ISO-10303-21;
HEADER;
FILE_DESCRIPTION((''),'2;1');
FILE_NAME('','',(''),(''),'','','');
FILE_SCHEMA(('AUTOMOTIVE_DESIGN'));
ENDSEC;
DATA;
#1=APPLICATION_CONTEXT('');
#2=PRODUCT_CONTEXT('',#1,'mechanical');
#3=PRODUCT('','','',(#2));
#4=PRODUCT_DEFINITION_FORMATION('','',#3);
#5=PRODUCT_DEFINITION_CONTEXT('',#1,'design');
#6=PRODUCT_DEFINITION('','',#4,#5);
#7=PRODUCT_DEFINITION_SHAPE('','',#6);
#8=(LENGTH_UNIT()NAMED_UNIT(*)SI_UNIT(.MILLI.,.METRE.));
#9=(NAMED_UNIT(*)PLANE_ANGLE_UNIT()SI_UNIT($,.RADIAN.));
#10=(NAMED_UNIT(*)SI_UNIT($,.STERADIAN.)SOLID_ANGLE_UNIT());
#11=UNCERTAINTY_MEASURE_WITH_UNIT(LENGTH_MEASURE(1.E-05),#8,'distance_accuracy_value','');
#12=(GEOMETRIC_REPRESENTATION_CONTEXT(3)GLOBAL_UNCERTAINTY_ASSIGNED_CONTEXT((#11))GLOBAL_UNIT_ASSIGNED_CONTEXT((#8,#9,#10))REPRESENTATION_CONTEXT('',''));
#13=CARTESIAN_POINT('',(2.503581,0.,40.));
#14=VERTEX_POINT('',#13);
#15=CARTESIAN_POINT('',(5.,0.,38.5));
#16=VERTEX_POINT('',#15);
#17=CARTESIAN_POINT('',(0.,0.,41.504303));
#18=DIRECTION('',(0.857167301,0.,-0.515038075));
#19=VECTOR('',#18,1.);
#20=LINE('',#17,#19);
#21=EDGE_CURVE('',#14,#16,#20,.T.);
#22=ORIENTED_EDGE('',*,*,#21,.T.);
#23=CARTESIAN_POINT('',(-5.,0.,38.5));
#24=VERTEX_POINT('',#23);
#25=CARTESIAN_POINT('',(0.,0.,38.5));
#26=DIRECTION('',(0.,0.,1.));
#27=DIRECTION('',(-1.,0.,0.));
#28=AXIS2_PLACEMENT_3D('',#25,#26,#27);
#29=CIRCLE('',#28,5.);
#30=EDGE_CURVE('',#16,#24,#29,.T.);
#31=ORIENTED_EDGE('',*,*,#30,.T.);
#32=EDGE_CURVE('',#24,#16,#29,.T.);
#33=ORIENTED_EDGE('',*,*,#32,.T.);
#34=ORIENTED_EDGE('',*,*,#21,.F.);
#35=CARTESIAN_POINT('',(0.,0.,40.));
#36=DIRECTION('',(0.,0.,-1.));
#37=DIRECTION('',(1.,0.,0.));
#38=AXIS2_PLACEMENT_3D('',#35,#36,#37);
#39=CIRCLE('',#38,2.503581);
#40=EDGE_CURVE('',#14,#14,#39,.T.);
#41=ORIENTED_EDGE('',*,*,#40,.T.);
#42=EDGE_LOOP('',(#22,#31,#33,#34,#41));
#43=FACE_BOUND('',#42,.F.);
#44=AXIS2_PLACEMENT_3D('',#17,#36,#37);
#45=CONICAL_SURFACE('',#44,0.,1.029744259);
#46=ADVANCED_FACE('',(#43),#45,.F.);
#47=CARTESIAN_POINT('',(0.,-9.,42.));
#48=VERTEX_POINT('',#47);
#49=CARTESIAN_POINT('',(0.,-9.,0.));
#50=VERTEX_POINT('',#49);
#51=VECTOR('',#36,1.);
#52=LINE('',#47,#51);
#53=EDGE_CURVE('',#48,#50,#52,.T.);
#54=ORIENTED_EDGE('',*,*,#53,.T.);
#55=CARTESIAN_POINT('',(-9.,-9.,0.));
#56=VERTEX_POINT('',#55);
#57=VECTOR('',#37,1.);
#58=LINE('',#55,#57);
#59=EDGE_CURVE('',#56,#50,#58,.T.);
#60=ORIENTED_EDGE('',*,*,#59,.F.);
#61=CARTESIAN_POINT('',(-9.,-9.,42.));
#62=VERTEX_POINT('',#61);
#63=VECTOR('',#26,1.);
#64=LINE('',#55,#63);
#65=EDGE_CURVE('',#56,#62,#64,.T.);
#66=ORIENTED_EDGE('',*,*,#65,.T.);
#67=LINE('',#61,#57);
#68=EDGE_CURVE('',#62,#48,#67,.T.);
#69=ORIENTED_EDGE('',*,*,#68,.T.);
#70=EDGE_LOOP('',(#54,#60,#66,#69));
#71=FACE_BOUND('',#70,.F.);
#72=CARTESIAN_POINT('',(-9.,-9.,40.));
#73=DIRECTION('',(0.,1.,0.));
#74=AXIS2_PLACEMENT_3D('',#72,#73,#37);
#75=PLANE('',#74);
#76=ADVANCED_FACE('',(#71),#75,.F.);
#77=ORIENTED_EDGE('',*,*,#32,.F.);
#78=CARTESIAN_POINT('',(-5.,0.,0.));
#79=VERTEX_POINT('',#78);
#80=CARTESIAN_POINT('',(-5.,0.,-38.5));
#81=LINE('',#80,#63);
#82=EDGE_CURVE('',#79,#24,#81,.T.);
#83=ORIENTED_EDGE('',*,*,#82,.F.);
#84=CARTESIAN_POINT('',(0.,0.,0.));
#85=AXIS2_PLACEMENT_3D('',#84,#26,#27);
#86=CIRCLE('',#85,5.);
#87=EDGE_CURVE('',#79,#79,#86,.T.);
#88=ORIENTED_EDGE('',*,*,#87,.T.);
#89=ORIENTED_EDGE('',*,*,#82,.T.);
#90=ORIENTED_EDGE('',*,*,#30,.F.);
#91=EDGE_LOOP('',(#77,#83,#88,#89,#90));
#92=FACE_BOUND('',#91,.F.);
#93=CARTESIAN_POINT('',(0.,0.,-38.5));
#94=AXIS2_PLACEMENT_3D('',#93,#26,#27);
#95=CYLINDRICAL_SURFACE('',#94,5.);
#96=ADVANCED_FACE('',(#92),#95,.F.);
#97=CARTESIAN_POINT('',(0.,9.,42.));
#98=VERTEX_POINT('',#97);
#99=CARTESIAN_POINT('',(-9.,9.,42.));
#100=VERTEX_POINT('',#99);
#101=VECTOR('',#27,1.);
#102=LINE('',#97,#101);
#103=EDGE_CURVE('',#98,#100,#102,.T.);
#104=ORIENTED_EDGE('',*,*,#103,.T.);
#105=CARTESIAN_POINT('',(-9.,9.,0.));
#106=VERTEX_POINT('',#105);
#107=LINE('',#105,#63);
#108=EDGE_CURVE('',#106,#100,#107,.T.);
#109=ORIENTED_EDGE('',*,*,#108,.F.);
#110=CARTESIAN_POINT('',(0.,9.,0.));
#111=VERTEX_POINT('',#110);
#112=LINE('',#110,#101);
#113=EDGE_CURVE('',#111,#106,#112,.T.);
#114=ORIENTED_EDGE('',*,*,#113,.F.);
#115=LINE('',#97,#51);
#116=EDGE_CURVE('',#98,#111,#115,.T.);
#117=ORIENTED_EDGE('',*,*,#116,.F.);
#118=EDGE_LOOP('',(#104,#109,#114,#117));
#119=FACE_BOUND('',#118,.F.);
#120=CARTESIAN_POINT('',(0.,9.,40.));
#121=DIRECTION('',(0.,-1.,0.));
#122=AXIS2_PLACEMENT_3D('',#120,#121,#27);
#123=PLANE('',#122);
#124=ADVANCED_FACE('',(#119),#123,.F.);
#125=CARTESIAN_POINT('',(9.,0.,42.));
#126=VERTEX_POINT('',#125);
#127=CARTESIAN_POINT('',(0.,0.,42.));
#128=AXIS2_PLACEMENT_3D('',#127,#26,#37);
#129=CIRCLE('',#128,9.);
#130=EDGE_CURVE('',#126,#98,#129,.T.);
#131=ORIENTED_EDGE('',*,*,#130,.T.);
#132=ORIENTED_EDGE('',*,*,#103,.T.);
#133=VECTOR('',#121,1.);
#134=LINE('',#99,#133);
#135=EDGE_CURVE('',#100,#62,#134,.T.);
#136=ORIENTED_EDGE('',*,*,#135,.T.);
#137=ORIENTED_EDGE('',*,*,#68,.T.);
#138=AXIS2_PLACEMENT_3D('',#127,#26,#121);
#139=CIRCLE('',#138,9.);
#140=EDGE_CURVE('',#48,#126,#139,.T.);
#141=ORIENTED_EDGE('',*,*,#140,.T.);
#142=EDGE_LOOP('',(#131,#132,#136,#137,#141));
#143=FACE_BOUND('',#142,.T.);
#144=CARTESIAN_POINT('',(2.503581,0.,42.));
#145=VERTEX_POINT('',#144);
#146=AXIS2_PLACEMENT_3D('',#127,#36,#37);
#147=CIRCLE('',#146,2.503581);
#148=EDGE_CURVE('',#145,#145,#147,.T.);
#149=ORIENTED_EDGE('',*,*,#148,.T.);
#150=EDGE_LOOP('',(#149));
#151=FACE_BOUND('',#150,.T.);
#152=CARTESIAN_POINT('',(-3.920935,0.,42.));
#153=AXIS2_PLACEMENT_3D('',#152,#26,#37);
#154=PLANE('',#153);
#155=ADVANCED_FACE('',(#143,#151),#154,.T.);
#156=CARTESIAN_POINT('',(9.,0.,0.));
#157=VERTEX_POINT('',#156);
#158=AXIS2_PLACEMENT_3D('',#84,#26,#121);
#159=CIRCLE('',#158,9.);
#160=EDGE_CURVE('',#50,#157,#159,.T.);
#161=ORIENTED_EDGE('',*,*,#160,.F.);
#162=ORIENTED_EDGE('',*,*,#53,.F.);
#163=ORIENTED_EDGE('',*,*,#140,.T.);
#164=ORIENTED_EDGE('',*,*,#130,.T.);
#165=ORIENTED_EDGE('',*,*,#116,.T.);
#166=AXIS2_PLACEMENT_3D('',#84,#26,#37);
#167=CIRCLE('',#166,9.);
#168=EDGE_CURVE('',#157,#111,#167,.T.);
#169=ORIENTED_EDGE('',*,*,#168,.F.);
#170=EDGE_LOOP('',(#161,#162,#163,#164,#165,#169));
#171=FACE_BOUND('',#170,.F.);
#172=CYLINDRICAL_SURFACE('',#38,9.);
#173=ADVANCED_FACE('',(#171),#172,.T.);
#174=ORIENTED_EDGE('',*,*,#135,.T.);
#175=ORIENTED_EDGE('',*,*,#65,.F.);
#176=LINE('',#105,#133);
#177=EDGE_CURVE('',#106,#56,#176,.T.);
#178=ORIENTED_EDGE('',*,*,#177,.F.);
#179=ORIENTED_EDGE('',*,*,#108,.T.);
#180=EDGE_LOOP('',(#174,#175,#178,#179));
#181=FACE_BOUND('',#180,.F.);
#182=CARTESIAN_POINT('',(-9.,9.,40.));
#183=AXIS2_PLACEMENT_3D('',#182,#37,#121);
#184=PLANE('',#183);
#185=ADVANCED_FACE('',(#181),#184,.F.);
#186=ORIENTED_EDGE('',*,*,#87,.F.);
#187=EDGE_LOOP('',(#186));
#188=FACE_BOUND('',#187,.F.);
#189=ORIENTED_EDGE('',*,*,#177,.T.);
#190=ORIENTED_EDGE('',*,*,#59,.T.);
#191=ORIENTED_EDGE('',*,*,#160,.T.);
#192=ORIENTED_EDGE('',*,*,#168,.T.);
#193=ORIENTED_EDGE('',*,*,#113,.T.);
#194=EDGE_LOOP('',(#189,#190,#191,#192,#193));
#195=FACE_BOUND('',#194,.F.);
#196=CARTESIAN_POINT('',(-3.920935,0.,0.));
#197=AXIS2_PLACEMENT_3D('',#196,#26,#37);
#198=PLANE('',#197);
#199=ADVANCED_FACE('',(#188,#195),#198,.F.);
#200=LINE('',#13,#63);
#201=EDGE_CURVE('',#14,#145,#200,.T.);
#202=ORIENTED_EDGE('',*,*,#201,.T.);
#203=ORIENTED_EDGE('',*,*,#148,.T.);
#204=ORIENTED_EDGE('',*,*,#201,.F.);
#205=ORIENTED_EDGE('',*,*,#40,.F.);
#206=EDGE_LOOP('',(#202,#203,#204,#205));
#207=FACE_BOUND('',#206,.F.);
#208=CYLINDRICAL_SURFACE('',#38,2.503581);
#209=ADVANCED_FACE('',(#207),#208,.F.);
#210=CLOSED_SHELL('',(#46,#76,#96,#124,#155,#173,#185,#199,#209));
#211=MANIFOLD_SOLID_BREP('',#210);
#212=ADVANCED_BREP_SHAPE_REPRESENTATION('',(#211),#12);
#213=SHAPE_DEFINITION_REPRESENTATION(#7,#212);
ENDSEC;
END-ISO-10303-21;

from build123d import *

# Parameters (mm, degrees)
F1_DEPTH = 40
F3_D     = 10
F3_DEPTH = 38.5
F3_TIP   = 3.0043030951
F4_DEPTH = 2


with BuildPart() as f1:
    # F0 (on Top) → F1 (new body)
    with BuildSketch(Plane.XY):
        with BuildLine():
            ThreePointArc((0, -5), (-5, 0), (0, 5))
            Line((0, 5), (0, 9))
            ThreePointArc((0, 9), (-6.3639610307, 6.3639610307), (-9, 0))
            ThreePointArc((-9, 0), (-6.3639610307, -6.3639610307), (0, -9))
            Line((0, -9), (0, -5))
        make_face()
        with BuildLine():
            ThreePointArc((-9, 0), (-6.3639610307, 6.3639610307), (0, 9))
            Line((0, 9), (-9, 9))
            Line((-9, 9), (-9, 0))
        make_face()
        with BuildLine():
            Line((-9, -9), (0, -9))
            ThreePointArc((0, -9), (-6.3639610307, -6.3639610307), (-9, 0))
            Line((-9, 0), (-9, -9))
        make_face()
        with BuildLine():
            ThreePointArc((0, 5), (3.5355339059, 3.5355339059), (5, 0))
            ThreePointArc((5, 0), (3.5355339059, -3.5355339059), (0, -5))
            Line((0, -5), (0, -9))
            ThreePointArc((0, -9), (6.3639610307, -6.3639610307), (9, 0))
            ThreePointArc((9, 0), (6.3639610307, 6.3639610307), (0, 9))
            Line((0, 9), (0, 5))
        make_face()
        with BuildLine():
            Line((0, -5), (0, 5))
            ThreePointArc((0, 5), (-5, 0), (0, -5))
        make_face()
        with BuildLine():
            ThreePointArc((0, -5), (3.5355339059, -3.5355339059), (5, 0))
            ThreePointArc((5, 0), (3.5355339059, 3.5355339059), (0, 5))
            Line((0, 5), (0, -5))
        make_face()
    extrude(amount=F1_DEPTH)

    # F3
    with Locations(Plane(origin=(0, 0, 0), x_dir=(1, 0, 0), z_dir=(0, 0, -1))):
        with Locations((0, 0)):
            Hole(F3_D / 2, depth=F3_DEPTH)
            with Locations((0, 0, -(F3_DEPTH + F3_TIP / 2))):  # 118° drill point
                Cone(0, F3_D / 2, F3_TIP, mode=Mode.SUBTRACT)

    # F4 (add): a face of the model
    f4_faces = [f1.faces().sort_by_distance(p)[0] for p in [
        (-4.5, 8.7454415588, 40),
    ]]
    extrude(f4_faces, amount=F4_DEPTH)


solid = f1.part
